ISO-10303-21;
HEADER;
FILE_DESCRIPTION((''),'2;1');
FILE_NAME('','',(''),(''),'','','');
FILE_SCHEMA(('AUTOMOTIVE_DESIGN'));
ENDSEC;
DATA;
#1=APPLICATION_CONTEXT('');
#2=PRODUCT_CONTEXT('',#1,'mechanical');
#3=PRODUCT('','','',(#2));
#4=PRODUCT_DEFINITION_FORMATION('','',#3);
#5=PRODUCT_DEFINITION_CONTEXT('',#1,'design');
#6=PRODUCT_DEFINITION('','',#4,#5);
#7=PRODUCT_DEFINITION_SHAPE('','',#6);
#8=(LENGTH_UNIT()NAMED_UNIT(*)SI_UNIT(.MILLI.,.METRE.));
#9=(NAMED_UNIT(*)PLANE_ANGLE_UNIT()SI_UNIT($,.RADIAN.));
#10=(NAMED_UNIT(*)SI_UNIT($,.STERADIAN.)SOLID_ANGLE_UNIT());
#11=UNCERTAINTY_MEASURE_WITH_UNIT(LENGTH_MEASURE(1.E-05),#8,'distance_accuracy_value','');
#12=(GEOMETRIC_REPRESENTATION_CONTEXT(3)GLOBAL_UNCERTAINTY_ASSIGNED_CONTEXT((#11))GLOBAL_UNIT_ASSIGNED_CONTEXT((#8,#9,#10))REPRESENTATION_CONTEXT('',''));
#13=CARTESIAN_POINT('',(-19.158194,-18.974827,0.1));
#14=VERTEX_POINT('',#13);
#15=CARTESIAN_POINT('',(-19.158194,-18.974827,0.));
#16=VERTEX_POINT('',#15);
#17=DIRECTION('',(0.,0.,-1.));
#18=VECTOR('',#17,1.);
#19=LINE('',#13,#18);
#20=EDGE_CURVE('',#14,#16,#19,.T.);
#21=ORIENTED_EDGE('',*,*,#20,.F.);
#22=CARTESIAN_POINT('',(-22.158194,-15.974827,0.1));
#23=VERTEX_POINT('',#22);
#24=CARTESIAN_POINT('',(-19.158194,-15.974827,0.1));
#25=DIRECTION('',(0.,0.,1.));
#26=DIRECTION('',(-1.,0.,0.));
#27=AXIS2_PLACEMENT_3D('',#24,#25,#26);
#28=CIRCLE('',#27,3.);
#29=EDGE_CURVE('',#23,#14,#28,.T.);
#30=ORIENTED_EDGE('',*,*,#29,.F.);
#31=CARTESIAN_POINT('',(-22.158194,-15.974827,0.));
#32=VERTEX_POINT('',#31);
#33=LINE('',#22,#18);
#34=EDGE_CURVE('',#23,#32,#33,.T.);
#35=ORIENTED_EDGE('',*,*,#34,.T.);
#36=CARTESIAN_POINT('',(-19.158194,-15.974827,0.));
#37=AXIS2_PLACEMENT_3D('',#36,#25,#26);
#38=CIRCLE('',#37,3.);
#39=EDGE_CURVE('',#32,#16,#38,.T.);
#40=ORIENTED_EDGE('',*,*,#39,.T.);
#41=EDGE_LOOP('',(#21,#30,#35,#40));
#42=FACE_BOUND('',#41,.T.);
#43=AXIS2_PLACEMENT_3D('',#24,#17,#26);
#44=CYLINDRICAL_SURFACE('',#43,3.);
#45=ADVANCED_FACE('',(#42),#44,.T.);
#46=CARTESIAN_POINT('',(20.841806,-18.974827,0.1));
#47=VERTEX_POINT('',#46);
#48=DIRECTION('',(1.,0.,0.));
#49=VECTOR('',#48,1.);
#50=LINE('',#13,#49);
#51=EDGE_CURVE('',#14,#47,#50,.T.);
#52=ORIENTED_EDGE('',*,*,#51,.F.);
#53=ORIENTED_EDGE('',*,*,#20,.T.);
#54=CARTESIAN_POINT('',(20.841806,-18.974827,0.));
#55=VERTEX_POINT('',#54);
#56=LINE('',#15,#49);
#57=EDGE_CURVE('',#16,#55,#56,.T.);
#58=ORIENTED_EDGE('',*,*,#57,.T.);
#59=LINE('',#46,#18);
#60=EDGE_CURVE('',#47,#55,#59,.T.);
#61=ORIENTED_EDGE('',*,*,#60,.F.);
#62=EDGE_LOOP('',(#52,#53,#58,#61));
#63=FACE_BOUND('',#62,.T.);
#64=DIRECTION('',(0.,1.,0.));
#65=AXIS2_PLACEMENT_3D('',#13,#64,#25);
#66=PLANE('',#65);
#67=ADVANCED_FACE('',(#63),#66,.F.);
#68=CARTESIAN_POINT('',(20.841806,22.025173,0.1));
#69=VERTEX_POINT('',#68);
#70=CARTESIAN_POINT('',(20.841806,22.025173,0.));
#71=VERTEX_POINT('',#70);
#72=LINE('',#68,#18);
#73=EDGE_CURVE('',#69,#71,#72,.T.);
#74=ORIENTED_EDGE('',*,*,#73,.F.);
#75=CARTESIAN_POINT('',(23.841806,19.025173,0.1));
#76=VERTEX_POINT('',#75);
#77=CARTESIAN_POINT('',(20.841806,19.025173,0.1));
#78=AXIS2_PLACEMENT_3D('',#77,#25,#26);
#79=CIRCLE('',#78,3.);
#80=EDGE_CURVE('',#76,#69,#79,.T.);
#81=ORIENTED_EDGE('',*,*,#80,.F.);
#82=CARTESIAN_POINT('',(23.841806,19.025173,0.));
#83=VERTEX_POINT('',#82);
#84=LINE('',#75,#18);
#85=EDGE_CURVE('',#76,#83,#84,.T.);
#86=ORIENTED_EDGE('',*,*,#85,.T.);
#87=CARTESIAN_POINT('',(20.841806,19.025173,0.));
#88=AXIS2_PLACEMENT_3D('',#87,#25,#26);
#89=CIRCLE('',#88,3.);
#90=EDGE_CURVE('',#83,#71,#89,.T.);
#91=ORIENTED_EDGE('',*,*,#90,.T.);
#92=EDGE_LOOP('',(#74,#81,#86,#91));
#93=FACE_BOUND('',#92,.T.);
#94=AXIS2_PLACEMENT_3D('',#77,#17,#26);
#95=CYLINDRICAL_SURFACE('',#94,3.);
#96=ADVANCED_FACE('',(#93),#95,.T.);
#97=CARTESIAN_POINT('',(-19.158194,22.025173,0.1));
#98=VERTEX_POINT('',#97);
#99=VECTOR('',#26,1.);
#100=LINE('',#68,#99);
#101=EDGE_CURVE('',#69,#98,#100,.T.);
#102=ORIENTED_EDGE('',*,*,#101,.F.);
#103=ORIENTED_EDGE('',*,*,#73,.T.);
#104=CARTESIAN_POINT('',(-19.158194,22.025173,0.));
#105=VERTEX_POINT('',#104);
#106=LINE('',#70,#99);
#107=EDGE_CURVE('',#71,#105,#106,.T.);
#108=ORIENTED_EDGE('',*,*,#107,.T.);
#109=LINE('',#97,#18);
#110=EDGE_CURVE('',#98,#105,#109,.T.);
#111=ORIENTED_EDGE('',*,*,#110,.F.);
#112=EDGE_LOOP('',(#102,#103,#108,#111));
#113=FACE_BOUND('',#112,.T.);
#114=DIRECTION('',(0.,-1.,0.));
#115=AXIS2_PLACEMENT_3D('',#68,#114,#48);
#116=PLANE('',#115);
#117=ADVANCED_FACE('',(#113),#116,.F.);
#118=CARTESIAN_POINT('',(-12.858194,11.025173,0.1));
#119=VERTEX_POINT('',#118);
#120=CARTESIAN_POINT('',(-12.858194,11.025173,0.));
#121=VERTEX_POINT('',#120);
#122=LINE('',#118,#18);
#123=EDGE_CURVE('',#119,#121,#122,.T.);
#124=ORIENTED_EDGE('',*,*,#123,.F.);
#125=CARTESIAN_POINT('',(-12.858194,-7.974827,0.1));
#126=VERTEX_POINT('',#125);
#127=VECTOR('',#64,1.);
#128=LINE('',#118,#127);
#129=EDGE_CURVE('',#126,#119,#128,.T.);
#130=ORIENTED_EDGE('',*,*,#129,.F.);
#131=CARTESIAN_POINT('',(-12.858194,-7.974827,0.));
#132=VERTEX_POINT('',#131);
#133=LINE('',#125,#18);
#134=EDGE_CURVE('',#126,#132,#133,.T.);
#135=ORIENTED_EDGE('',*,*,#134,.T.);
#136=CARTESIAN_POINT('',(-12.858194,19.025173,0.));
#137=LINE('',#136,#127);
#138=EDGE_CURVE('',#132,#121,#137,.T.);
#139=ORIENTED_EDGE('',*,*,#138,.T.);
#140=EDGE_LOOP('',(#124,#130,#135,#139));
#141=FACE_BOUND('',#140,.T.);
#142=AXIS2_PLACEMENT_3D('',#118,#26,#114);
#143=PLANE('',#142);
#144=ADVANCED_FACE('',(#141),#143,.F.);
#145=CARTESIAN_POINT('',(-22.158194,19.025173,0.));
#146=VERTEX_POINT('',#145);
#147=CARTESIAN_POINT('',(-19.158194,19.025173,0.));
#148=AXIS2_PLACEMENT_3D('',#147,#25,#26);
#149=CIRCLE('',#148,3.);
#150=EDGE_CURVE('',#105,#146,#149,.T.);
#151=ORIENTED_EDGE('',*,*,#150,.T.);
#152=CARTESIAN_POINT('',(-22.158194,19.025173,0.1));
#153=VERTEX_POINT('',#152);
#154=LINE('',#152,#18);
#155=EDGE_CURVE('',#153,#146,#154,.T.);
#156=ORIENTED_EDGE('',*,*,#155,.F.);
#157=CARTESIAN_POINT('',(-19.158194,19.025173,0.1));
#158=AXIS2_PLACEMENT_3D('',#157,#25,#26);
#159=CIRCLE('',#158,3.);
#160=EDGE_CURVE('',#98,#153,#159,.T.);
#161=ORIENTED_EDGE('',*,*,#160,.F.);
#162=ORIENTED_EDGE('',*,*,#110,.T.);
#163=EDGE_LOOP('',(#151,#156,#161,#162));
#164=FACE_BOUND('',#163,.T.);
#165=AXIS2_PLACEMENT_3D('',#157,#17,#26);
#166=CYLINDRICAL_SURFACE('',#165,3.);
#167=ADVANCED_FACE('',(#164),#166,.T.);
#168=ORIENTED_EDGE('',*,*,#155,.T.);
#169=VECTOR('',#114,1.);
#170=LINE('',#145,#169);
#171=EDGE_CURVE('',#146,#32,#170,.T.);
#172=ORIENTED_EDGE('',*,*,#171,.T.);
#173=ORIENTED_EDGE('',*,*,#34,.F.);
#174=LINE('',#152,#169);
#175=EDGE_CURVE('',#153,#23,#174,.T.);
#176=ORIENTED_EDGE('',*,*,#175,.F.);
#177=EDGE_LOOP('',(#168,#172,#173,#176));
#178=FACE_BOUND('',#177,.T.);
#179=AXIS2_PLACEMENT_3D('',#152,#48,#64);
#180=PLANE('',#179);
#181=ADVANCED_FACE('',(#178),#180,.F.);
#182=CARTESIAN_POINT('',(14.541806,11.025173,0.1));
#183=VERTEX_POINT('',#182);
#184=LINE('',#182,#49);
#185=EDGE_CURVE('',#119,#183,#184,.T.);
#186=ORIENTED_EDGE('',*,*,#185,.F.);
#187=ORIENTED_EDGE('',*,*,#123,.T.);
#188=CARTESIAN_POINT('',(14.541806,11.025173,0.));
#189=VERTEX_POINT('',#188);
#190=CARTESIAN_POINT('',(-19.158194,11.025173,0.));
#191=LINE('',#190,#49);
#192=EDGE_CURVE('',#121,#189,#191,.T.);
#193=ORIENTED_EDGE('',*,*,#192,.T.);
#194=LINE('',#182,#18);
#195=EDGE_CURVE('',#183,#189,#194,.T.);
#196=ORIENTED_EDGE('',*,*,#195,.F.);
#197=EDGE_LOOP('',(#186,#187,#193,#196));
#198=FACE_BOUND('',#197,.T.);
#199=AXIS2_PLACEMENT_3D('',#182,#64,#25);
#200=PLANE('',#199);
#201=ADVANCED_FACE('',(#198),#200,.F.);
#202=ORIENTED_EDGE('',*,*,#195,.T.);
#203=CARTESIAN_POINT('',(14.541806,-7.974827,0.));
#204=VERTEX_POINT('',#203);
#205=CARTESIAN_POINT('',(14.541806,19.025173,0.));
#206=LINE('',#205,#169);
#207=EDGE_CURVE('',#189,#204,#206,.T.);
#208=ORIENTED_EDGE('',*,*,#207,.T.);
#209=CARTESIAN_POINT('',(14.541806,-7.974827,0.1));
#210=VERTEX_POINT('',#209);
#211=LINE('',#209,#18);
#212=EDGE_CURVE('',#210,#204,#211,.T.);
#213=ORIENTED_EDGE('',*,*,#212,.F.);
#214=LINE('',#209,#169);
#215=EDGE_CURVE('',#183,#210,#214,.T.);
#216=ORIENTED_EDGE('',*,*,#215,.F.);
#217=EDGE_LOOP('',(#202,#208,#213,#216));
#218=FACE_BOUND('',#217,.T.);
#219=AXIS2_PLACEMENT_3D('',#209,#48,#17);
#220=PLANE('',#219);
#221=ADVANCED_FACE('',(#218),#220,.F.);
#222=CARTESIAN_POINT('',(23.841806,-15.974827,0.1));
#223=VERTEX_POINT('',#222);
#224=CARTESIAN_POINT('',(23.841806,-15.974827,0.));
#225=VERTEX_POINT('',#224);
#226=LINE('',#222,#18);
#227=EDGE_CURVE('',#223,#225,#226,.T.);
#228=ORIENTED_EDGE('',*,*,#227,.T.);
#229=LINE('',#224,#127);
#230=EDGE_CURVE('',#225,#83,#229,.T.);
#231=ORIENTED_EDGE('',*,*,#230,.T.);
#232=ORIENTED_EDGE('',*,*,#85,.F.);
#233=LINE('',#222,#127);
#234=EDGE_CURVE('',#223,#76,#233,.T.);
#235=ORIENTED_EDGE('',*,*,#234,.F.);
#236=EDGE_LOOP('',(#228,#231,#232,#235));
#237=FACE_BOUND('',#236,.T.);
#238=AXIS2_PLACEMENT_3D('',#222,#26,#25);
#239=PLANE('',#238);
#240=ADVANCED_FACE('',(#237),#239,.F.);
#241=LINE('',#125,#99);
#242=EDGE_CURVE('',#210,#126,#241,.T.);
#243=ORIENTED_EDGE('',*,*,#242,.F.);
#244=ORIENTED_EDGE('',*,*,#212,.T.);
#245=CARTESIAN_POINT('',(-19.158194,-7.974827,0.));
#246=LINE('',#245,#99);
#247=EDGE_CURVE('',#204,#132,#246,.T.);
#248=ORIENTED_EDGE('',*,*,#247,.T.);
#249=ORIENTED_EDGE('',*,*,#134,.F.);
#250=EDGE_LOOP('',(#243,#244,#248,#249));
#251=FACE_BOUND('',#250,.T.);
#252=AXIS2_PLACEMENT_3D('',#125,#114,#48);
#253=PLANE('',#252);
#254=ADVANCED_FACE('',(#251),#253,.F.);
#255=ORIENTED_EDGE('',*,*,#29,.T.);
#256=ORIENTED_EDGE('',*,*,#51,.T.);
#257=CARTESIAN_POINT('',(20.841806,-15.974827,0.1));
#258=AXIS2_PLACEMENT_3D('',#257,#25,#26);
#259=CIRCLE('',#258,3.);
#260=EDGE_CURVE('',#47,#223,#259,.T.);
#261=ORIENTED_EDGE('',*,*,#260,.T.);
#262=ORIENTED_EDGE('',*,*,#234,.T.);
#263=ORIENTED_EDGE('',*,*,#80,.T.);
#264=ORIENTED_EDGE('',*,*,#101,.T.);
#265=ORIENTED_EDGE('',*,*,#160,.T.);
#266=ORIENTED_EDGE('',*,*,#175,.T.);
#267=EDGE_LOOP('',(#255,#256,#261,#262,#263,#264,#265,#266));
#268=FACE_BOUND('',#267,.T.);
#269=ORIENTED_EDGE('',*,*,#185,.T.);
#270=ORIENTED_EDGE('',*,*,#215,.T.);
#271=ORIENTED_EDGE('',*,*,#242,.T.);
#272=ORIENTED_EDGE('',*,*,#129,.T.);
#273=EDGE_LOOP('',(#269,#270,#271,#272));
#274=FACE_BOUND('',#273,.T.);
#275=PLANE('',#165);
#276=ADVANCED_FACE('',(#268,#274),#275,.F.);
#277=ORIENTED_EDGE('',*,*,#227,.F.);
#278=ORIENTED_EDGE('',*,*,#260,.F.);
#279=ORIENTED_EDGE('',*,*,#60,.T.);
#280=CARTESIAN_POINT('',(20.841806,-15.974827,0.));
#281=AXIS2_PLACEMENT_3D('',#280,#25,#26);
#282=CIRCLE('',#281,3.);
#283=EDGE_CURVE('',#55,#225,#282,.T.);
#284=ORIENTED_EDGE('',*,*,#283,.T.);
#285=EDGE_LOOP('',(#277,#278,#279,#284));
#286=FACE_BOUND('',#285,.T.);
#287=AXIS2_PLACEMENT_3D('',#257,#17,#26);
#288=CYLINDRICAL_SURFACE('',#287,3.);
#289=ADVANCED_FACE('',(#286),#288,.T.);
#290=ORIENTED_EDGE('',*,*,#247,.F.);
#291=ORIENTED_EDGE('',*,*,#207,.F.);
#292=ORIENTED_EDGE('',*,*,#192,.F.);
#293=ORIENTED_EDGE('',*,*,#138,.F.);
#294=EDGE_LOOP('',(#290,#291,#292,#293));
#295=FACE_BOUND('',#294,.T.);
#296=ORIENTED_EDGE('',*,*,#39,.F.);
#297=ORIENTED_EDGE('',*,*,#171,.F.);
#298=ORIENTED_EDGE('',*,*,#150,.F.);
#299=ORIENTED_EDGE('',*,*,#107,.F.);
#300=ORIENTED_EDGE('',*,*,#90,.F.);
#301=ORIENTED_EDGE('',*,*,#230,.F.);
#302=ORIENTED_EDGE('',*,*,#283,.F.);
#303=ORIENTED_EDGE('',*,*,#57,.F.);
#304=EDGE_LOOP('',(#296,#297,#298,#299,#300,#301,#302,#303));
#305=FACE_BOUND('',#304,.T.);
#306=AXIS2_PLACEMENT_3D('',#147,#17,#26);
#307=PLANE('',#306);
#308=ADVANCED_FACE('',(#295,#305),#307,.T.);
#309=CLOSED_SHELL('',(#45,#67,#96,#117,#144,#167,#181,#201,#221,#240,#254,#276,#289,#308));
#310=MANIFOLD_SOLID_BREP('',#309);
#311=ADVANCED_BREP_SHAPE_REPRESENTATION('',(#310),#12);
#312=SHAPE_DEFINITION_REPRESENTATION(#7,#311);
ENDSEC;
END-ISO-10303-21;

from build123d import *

# Parameters (mm, degrees)
RESSALTO_EXTRUS_O1_DEPTH   = 0.1
CORTE_EXTRUS_O1_DEPTH      = 33.458434448
CORTE_EXTRUS_O1_DEPTH_BACK = 33.458434448
ESBO_O2_W                  = 27.4
ESBO_O2_H                  = 19


with BuildPart() as part:
    # Esboço1 → Ressalto-extrusão1 (new body)
    with BuildSketch(Plane.XY):
        with BuildLine():
            Line((-22.158193819, 19.025172981), (-22.158193819, -15.974827019))
            ThreePointArc((-22.158193819, -15.974827019), (-21.279514162, -18.096147362), (-19.158193819, -18.974827019))
            Line((-19.158193819, -18.974827019), (20.841806181, -18.974827019))
            ThreePointArc((20.841806181, -18.974827019), (22.963126525, -18.096147362), (23.841806181, -15.974827019))
            Line((23.841806181, -15.974827019), (23.841806181, 19.025172981))
            ThreePointArc((23.841806181, 19.025172981), (22.963126525, 21.146493325), (20.841806181, 22.025172981))
            Line((20.841806181, 22.025172981), (-19.158193819, 22.025172981))
            ThreePointArc((-19.158193819, 22.025172981), (-21.279514162, 21.146493325), (-22.158193819, 19.025172981))
        make_face()
    extrude(amount=RESSALTO_EXTRUS_O1_DEPTH)

    # Esboço2 → Corte-extrusão1 (cut, two sides: drawn at the far end of the back side and taken through both)
    with BuildSketch(Plane(origin=(0, 0, 0), x_dir=(-1, 0, 0), z_dir=(0, 0, -1)).offset(-CORTE_EXTRUS_O1_DEPTH_BACK)):
        with Locations((-0.841806181, 1.525172981)):
            Rectangle(ESBO_O2_W, ESBO_O2_H)
    extrude(amount=CORTE_EXTRUS_O1_DEPTH + CORTE_EXTRUS_O1_DEPTH_BACK, mode=Mode.SUBTRACT)


solid = part.part
